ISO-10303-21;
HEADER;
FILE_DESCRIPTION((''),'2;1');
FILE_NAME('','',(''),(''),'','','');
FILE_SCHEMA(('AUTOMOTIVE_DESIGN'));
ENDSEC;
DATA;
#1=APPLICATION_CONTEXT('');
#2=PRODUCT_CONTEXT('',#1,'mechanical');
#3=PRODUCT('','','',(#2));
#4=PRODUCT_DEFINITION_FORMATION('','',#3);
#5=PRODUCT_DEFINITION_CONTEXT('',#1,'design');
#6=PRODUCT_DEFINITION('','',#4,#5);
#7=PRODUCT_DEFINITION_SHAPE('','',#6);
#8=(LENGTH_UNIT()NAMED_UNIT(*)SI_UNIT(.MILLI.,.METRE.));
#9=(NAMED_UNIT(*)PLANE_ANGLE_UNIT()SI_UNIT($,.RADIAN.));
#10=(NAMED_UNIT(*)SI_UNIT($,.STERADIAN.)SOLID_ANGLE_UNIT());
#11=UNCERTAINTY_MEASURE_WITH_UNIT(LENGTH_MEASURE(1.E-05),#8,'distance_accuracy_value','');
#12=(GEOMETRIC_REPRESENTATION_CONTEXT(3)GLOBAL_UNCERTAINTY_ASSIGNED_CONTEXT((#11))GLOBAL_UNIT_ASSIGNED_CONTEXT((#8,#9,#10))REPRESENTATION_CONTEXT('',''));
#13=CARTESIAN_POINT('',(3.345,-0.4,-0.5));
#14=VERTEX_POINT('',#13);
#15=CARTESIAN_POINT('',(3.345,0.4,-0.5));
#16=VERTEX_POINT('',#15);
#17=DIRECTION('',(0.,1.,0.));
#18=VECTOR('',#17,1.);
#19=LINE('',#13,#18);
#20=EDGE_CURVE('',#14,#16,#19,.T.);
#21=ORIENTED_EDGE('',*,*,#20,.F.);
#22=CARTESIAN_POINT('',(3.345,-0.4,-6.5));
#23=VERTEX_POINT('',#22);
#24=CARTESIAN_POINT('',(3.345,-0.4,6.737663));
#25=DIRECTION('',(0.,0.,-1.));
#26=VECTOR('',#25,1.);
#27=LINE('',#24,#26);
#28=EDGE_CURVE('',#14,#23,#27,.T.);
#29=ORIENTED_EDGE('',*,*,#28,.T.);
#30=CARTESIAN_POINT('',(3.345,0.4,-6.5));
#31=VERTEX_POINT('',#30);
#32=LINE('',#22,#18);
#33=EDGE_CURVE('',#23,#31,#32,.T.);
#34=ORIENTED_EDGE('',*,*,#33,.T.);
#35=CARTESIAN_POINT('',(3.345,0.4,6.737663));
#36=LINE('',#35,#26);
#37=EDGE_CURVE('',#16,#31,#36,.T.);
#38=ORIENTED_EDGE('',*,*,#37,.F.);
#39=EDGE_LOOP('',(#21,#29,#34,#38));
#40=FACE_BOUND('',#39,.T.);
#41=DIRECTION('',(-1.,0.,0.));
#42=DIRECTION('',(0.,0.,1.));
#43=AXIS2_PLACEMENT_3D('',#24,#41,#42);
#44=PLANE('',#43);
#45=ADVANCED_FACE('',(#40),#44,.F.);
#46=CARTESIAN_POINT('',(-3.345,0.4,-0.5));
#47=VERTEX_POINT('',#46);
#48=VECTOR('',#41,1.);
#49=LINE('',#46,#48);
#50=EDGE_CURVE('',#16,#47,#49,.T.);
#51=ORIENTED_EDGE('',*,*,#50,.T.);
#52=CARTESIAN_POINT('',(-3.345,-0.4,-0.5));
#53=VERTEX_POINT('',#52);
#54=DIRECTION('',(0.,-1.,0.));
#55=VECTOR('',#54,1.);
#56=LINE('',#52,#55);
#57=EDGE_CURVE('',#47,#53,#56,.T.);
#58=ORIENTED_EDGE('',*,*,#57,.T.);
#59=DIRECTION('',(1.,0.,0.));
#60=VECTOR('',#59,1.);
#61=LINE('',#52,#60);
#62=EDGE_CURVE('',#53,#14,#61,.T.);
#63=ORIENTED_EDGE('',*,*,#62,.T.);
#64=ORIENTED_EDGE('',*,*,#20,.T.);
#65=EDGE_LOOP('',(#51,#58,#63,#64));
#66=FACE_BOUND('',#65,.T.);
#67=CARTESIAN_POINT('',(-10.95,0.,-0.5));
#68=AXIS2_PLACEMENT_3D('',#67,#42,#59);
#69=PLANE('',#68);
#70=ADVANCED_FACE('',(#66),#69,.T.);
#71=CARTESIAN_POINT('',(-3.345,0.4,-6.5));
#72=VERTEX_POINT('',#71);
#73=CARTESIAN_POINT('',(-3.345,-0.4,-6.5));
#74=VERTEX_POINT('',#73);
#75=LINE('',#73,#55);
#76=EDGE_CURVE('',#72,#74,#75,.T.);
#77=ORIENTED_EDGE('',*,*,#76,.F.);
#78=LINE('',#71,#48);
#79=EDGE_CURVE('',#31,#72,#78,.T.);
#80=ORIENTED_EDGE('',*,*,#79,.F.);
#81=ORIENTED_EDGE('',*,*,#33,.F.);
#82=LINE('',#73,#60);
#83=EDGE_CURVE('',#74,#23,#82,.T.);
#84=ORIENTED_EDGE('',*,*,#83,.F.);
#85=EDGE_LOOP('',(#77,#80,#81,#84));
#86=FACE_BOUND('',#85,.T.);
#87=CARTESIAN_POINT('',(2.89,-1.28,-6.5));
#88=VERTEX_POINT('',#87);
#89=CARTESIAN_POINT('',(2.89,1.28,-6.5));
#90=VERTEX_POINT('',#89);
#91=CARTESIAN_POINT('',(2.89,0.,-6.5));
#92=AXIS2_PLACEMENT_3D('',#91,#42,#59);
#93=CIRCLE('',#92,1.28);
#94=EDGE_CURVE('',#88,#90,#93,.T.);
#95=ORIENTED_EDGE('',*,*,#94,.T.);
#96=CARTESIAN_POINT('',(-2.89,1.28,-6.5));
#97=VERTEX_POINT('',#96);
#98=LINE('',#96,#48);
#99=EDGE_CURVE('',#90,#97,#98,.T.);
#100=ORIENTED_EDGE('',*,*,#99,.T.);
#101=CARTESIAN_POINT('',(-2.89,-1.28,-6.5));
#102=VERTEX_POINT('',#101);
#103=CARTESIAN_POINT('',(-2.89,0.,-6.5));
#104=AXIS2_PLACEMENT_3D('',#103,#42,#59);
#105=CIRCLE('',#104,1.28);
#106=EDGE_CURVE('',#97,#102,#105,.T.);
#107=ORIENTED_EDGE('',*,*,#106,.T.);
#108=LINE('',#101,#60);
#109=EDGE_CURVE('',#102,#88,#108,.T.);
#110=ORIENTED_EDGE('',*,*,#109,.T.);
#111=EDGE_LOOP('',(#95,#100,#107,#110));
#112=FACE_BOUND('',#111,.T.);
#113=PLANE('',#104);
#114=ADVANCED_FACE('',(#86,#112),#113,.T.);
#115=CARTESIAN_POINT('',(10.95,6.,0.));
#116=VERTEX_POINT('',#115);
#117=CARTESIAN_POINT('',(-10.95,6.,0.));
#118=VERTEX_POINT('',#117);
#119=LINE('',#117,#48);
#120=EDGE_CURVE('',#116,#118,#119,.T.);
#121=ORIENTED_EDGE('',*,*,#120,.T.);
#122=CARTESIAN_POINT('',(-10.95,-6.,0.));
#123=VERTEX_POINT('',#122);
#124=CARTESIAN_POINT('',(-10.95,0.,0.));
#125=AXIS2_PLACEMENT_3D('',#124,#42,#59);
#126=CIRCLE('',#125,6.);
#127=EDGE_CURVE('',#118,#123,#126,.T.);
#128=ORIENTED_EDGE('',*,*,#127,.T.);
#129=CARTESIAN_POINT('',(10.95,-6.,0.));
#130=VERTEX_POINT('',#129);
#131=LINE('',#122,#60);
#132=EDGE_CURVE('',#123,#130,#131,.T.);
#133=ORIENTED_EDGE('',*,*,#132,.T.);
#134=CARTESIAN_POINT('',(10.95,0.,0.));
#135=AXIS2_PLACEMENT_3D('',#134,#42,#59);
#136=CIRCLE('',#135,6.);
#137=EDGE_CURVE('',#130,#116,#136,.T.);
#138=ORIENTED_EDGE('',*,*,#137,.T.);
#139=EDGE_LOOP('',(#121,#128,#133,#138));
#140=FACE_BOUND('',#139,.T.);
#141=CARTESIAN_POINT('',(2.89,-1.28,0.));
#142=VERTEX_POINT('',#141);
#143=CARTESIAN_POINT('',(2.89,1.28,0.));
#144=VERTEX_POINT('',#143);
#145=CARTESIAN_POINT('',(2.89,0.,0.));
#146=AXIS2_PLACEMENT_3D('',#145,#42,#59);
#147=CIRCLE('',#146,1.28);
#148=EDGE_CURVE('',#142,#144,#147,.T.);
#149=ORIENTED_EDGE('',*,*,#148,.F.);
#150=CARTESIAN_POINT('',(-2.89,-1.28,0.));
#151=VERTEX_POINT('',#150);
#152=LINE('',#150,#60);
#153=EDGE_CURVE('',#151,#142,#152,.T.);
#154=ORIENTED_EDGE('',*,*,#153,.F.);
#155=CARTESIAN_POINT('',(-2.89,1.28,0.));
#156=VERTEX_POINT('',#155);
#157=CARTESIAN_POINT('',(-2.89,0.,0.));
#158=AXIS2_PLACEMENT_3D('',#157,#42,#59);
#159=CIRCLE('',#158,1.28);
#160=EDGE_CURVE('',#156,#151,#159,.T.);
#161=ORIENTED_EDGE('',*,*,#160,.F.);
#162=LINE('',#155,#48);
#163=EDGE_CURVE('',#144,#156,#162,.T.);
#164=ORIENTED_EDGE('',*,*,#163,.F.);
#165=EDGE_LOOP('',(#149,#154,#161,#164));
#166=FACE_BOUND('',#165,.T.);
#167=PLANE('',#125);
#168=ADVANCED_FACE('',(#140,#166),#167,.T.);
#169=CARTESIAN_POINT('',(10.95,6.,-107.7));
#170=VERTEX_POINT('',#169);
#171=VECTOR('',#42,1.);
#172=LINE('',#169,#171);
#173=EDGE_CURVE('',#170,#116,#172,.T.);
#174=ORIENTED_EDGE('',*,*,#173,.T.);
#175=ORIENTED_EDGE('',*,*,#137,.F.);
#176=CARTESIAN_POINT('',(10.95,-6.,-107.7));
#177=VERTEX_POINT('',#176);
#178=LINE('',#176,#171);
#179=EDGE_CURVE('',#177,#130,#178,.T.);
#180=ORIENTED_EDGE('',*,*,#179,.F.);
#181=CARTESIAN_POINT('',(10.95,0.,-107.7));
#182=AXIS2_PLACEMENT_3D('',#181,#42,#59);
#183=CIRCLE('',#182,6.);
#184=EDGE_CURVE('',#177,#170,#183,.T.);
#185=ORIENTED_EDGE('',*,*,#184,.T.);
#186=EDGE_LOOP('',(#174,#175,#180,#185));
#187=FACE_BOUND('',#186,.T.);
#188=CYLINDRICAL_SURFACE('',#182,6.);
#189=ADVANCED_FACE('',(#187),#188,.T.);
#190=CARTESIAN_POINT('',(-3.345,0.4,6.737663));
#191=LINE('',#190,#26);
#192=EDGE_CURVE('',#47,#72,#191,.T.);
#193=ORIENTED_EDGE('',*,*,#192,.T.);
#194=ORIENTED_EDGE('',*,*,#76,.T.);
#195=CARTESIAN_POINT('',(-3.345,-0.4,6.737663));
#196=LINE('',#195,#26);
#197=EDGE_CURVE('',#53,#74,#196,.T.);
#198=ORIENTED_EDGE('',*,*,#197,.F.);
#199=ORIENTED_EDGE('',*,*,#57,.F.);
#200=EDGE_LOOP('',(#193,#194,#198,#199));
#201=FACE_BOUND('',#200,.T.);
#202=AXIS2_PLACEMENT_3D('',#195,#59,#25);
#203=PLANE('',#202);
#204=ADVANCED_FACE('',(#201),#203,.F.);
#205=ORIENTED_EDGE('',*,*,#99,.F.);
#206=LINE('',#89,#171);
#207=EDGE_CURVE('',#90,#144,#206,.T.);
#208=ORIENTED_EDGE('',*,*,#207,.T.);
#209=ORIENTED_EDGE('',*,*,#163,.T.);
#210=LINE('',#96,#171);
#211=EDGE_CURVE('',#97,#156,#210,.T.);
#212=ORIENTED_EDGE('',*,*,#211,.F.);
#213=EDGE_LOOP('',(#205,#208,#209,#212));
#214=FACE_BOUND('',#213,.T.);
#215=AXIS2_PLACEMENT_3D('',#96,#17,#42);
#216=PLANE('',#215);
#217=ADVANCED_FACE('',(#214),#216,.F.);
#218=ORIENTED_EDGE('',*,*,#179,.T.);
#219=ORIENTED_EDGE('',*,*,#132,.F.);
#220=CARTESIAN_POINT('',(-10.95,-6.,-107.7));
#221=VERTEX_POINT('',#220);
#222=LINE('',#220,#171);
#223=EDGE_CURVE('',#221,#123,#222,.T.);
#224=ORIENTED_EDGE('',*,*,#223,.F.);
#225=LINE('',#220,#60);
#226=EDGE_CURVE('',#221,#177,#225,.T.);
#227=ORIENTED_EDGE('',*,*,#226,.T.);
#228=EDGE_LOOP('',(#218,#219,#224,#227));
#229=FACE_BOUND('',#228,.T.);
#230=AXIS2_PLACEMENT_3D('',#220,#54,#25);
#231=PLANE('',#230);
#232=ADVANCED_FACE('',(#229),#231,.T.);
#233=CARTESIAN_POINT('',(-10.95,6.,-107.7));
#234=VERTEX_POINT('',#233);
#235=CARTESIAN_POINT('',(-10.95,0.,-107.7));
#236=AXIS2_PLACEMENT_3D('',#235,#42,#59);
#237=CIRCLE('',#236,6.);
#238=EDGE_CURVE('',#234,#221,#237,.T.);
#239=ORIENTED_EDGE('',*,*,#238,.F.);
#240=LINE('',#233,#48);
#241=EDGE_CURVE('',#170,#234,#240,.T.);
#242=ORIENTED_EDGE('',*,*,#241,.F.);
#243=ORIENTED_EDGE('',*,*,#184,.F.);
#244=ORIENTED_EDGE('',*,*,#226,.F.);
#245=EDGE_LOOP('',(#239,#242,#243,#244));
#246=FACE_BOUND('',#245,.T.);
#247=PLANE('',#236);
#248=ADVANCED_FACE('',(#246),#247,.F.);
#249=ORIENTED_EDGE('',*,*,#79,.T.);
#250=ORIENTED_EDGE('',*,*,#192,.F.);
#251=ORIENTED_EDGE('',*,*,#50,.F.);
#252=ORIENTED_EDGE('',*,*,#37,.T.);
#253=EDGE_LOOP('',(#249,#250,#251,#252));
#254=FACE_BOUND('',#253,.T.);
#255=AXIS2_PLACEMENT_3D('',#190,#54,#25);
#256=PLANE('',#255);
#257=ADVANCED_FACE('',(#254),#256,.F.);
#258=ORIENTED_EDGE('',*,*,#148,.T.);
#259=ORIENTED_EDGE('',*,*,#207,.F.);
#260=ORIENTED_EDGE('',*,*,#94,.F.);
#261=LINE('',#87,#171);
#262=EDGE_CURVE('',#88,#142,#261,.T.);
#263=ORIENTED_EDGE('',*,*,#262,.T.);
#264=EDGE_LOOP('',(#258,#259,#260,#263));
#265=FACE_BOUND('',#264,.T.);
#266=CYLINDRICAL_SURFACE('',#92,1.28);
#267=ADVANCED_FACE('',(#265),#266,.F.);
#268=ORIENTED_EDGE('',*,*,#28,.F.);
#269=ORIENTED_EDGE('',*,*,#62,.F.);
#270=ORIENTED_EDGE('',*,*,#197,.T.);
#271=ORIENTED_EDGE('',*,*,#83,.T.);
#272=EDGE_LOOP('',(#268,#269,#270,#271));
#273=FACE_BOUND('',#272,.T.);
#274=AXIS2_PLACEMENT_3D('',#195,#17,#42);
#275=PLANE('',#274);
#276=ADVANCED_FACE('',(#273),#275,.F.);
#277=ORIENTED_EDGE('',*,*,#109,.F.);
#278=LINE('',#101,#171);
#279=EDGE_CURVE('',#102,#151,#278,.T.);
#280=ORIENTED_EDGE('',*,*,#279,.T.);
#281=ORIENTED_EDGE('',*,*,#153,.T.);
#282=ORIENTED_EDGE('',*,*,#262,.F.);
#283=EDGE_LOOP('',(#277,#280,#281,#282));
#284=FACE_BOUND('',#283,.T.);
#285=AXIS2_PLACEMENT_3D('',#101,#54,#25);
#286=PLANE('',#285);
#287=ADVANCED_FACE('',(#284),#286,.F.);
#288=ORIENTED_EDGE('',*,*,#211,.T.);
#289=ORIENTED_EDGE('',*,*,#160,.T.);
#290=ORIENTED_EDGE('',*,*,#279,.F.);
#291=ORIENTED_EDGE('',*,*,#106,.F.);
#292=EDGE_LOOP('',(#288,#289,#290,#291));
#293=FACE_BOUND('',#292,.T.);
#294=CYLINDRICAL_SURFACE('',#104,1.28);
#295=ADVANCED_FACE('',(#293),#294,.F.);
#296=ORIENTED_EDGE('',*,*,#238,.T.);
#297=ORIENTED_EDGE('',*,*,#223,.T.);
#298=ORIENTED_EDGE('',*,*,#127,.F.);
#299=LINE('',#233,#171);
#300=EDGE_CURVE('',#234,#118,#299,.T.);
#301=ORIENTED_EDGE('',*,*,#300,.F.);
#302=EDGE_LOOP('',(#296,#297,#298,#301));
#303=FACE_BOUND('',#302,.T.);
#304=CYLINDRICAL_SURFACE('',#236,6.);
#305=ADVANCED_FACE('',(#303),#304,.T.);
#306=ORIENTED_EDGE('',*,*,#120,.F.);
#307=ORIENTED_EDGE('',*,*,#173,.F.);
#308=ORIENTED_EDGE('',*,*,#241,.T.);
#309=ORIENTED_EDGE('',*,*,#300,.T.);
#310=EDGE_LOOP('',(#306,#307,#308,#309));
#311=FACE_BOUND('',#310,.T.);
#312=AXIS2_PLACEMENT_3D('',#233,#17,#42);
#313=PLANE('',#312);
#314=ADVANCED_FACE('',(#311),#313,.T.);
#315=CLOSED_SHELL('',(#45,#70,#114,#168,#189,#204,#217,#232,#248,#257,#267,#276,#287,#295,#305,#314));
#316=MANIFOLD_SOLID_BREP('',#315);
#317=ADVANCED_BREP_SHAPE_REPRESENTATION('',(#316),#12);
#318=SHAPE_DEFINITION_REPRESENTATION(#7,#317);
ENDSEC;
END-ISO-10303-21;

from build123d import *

# Parameters (mm, degrees)
BOSS_EXTRUDE1_DEPTH = 107.7
CUT_EXTRUDE1_DEPTH  = 6.5
SKETCH3_W           = 6.69
SKETCH3_H           = 0.8
BOSS_EXTRUDE2_DEPTH = 6


with BuildPart() as part:
    # Sketch1 → Boss-Extrude1 (new body)
    with BuildSketch(Plane.XY):
        with BuildLine():
            Line((-10.95, 6), (10.95, 6))
            ThreePointArc((10.95, 6), (16.95, 0), (10.95, -6))
            Line((10.95, -6), (-10.95, -6))
            ThreePointArc((-10.95, -6), (-16.95, 0), (-10.95, 6))
        make_face()
    extrude(amount=-BOSS_EXTRUDE1_DEPTH)

    # Sketch2 → Cut-Extrude1 (cut)
    with BuildSketch(Plane.XY):
        with BuildLine():
            Line((-2.89, 1.28), (2.89, 1.28))
            ThreePointArc((2.89, 1.28), (4.17, 0), (2.89, -1.28))
            Line((2.89, -1.28), (-2.89, -1.28))
            ThreePointArc((-2.89, -1.28), (-4.17, 0), (-2.89, 1.28))
        make_face()
    extrude(amount=-CUT_EXTRUDE1_DEPTH, mode=Mode.SUBTRACT)

    # Sketch3 → Boss-Extrude2 (add)
    with BuildSketch(Plane.XY.offset(-6.5)):
        Rectangle(SKETCH3_W, SKETCH3_H)
    extrude(amount=BOSS_EXTRUDE2_DEPTH)


solid = part.part
